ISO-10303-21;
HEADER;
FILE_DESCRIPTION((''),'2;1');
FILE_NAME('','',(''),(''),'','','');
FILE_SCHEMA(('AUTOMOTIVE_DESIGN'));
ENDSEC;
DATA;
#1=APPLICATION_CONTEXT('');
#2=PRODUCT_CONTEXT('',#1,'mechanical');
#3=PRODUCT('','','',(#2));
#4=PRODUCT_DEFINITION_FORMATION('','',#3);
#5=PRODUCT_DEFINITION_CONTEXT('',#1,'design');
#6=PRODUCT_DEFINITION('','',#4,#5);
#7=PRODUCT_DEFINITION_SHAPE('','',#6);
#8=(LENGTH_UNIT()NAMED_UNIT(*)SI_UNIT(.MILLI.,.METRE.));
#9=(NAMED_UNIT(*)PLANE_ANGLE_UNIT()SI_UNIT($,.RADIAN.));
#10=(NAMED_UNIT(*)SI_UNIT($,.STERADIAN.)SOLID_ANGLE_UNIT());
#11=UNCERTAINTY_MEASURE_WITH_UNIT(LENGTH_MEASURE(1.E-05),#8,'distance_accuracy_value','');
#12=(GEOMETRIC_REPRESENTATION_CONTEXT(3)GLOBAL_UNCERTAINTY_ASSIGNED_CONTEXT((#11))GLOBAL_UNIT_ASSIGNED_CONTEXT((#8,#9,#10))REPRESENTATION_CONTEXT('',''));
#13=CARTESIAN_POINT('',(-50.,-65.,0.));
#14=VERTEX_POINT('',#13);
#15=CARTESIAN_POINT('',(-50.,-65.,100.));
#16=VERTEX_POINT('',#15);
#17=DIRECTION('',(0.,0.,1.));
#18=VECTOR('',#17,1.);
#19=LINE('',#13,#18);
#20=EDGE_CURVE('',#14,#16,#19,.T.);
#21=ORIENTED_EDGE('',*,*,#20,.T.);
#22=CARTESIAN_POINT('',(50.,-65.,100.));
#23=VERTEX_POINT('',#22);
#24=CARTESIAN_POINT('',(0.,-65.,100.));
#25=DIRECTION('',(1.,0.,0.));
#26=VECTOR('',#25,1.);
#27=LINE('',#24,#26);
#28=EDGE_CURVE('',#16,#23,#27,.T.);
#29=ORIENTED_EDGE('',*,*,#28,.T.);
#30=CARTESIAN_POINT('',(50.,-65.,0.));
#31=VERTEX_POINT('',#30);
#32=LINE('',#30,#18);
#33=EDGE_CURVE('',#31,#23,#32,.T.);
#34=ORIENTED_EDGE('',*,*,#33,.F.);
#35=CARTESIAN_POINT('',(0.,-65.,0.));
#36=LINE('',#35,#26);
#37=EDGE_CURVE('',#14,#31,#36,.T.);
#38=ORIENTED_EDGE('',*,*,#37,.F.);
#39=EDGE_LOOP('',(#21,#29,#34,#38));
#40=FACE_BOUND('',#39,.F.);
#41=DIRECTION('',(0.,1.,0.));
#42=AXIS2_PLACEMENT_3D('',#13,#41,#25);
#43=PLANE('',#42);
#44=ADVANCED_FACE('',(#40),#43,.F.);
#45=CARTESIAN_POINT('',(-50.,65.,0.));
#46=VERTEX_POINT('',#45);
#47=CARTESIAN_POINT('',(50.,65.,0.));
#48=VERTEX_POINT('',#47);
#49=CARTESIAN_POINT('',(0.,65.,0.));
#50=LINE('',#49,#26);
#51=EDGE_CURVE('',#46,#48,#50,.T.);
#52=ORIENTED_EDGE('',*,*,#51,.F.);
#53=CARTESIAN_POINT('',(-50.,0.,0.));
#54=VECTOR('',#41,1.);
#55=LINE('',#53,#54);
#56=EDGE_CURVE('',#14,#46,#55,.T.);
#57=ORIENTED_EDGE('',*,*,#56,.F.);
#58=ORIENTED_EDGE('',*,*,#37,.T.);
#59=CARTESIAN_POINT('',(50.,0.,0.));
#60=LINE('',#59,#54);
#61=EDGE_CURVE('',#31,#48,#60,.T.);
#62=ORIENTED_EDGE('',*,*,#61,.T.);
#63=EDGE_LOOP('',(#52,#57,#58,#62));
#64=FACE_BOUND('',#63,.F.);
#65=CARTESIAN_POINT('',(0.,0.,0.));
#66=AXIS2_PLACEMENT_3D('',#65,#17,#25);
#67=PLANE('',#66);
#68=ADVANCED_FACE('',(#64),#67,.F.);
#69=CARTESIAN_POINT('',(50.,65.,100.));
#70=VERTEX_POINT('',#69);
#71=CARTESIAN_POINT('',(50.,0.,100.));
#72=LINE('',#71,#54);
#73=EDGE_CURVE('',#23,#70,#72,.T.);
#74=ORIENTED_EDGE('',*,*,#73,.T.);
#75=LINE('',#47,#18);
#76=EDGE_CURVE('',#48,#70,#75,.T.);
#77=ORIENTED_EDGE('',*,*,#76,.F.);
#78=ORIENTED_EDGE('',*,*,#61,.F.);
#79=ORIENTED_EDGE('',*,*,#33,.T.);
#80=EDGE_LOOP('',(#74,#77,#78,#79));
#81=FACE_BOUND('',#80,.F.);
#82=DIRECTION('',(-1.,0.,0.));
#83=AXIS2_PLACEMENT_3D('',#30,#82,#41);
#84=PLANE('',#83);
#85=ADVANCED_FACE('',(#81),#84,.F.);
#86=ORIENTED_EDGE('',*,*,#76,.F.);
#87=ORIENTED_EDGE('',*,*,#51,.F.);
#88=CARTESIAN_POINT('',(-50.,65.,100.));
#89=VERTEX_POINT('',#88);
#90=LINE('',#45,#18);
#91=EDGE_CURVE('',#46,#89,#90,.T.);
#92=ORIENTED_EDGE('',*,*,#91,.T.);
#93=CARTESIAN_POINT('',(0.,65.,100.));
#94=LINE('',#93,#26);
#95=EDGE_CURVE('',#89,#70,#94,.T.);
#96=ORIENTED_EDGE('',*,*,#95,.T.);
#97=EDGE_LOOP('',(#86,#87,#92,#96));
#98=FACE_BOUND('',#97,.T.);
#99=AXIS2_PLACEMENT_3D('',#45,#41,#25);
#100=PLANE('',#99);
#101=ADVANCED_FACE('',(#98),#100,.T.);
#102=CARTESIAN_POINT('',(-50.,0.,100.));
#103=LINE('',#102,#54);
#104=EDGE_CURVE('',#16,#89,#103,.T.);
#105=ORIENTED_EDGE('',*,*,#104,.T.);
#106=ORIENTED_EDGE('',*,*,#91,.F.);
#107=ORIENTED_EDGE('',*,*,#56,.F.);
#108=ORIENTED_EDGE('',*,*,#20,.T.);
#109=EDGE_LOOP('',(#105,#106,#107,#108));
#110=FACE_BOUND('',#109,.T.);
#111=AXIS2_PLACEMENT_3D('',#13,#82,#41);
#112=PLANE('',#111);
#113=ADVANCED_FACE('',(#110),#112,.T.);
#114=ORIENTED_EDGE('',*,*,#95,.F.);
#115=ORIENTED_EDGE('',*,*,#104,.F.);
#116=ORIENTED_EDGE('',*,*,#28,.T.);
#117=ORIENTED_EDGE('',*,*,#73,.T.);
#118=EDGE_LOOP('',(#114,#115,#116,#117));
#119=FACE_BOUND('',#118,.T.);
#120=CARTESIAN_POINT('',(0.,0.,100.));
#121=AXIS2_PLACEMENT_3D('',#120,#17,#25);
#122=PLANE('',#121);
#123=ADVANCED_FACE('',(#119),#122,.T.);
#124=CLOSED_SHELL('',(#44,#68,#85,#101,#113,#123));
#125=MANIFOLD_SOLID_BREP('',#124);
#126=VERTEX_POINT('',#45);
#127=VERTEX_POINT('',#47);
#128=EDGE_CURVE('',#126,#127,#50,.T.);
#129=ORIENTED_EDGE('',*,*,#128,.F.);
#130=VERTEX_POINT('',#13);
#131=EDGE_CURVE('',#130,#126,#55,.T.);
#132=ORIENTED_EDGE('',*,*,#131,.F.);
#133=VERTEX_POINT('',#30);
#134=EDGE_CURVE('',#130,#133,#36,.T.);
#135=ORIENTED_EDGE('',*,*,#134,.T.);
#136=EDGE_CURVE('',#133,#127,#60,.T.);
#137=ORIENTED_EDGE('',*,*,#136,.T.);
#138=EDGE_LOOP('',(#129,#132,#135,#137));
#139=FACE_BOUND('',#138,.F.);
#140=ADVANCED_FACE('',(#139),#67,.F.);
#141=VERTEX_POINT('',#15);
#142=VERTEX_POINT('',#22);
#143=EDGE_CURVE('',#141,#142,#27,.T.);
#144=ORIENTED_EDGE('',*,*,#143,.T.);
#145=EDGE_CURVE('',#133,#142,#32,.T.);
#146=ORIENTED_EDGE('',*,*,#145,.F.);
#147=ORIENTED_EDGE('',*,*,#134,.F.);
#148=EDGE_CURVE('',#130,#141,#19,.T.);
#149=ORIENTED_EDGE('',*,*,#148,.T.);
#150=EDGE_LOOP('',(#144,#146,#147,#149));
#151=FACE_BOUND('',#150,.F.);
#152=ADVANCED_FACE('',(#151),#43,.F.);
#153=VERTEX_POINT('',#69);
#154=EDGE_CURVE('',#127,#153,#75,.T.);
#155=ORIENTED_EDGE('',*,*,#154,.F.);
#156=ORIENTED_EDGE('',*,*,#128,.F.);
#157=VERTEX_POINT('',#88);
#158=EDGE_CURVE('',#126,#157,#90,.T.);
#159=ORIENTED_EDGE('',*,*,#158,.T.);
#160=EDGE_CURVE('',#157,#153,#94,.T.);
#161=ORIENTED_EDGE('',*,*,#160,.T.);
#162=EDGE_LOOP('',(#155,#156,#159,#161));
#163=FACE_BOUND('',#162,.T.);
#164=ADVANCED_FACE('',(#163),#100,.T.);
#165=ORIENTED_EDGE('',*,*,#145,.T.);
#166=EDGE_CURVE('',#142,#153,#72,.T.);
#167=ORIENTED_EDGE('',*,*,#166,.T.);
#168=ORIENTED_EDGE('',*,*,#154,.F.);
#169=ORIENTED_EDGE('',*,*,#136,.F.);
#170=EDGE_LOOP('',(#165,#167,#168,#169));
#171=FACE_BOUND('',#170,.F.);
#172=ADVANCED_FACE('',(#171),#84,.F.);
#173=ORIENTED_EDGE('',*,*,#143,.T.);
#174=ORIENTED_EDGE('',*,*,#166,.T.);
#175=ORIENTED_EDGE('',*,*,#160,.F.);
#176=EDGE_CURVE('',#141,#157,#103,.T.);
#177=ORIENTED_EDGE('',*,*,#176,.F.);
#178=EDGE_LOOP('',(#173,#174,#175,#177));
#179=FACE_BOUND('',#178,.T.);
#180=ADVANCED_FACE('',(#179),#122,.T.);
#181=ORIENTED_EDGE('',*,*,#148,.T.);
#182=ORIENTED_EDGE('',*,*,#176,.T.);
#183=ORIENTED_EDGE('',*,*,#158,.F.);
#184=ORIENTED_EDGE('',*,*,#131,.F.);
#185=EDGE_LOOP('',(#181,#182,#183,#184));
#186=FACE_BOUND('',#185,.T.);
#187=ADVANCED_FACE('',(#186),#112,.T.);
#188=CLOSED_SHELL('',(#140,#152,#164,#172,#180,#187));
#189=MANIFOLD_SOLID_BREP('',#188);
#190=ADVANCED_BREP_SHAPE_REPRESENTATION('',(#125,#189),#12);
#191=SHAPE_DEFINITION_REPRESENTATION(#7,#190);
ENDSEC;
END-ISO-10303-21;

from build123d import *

# Parameters (mm, degrees)
RECTANGLE_W      = 100
RECTANGLE_H      = 130
EXTRUDE_DEPTH    = 100
EXTRUDE001_DEPTH = 100


with BuildPart() as extrude_body:
    # Rectangle → Extrude (new body)
    with BuildSketch(Plane(origin=(-50, -65, 0), x_dir=(1, 0, 0), z_dir=(0, 0, 1))):
        with Locations((50, 65)):
            Rectangle(RECTANGLE_W, RECTANGLE_H)
    extrude(amount=EXTRUDE_DEPTH)


with BuildPart() as extrude001:
    # Rectangle → Extrude001 (new body)
    with BuildSketch(Plane(origin=(-50, -65, 0), x_dir=(1, 0, 0), z_dir=(0, 0, 1))):
        with Locations((50, 65)):
            Rectangle(RECTANGLE_W, RECTANGLE_H)
    extrude(amount=EXTRUDE001_DEPTH)


solid = Compound([extrude_body.part, extrude001.part])
